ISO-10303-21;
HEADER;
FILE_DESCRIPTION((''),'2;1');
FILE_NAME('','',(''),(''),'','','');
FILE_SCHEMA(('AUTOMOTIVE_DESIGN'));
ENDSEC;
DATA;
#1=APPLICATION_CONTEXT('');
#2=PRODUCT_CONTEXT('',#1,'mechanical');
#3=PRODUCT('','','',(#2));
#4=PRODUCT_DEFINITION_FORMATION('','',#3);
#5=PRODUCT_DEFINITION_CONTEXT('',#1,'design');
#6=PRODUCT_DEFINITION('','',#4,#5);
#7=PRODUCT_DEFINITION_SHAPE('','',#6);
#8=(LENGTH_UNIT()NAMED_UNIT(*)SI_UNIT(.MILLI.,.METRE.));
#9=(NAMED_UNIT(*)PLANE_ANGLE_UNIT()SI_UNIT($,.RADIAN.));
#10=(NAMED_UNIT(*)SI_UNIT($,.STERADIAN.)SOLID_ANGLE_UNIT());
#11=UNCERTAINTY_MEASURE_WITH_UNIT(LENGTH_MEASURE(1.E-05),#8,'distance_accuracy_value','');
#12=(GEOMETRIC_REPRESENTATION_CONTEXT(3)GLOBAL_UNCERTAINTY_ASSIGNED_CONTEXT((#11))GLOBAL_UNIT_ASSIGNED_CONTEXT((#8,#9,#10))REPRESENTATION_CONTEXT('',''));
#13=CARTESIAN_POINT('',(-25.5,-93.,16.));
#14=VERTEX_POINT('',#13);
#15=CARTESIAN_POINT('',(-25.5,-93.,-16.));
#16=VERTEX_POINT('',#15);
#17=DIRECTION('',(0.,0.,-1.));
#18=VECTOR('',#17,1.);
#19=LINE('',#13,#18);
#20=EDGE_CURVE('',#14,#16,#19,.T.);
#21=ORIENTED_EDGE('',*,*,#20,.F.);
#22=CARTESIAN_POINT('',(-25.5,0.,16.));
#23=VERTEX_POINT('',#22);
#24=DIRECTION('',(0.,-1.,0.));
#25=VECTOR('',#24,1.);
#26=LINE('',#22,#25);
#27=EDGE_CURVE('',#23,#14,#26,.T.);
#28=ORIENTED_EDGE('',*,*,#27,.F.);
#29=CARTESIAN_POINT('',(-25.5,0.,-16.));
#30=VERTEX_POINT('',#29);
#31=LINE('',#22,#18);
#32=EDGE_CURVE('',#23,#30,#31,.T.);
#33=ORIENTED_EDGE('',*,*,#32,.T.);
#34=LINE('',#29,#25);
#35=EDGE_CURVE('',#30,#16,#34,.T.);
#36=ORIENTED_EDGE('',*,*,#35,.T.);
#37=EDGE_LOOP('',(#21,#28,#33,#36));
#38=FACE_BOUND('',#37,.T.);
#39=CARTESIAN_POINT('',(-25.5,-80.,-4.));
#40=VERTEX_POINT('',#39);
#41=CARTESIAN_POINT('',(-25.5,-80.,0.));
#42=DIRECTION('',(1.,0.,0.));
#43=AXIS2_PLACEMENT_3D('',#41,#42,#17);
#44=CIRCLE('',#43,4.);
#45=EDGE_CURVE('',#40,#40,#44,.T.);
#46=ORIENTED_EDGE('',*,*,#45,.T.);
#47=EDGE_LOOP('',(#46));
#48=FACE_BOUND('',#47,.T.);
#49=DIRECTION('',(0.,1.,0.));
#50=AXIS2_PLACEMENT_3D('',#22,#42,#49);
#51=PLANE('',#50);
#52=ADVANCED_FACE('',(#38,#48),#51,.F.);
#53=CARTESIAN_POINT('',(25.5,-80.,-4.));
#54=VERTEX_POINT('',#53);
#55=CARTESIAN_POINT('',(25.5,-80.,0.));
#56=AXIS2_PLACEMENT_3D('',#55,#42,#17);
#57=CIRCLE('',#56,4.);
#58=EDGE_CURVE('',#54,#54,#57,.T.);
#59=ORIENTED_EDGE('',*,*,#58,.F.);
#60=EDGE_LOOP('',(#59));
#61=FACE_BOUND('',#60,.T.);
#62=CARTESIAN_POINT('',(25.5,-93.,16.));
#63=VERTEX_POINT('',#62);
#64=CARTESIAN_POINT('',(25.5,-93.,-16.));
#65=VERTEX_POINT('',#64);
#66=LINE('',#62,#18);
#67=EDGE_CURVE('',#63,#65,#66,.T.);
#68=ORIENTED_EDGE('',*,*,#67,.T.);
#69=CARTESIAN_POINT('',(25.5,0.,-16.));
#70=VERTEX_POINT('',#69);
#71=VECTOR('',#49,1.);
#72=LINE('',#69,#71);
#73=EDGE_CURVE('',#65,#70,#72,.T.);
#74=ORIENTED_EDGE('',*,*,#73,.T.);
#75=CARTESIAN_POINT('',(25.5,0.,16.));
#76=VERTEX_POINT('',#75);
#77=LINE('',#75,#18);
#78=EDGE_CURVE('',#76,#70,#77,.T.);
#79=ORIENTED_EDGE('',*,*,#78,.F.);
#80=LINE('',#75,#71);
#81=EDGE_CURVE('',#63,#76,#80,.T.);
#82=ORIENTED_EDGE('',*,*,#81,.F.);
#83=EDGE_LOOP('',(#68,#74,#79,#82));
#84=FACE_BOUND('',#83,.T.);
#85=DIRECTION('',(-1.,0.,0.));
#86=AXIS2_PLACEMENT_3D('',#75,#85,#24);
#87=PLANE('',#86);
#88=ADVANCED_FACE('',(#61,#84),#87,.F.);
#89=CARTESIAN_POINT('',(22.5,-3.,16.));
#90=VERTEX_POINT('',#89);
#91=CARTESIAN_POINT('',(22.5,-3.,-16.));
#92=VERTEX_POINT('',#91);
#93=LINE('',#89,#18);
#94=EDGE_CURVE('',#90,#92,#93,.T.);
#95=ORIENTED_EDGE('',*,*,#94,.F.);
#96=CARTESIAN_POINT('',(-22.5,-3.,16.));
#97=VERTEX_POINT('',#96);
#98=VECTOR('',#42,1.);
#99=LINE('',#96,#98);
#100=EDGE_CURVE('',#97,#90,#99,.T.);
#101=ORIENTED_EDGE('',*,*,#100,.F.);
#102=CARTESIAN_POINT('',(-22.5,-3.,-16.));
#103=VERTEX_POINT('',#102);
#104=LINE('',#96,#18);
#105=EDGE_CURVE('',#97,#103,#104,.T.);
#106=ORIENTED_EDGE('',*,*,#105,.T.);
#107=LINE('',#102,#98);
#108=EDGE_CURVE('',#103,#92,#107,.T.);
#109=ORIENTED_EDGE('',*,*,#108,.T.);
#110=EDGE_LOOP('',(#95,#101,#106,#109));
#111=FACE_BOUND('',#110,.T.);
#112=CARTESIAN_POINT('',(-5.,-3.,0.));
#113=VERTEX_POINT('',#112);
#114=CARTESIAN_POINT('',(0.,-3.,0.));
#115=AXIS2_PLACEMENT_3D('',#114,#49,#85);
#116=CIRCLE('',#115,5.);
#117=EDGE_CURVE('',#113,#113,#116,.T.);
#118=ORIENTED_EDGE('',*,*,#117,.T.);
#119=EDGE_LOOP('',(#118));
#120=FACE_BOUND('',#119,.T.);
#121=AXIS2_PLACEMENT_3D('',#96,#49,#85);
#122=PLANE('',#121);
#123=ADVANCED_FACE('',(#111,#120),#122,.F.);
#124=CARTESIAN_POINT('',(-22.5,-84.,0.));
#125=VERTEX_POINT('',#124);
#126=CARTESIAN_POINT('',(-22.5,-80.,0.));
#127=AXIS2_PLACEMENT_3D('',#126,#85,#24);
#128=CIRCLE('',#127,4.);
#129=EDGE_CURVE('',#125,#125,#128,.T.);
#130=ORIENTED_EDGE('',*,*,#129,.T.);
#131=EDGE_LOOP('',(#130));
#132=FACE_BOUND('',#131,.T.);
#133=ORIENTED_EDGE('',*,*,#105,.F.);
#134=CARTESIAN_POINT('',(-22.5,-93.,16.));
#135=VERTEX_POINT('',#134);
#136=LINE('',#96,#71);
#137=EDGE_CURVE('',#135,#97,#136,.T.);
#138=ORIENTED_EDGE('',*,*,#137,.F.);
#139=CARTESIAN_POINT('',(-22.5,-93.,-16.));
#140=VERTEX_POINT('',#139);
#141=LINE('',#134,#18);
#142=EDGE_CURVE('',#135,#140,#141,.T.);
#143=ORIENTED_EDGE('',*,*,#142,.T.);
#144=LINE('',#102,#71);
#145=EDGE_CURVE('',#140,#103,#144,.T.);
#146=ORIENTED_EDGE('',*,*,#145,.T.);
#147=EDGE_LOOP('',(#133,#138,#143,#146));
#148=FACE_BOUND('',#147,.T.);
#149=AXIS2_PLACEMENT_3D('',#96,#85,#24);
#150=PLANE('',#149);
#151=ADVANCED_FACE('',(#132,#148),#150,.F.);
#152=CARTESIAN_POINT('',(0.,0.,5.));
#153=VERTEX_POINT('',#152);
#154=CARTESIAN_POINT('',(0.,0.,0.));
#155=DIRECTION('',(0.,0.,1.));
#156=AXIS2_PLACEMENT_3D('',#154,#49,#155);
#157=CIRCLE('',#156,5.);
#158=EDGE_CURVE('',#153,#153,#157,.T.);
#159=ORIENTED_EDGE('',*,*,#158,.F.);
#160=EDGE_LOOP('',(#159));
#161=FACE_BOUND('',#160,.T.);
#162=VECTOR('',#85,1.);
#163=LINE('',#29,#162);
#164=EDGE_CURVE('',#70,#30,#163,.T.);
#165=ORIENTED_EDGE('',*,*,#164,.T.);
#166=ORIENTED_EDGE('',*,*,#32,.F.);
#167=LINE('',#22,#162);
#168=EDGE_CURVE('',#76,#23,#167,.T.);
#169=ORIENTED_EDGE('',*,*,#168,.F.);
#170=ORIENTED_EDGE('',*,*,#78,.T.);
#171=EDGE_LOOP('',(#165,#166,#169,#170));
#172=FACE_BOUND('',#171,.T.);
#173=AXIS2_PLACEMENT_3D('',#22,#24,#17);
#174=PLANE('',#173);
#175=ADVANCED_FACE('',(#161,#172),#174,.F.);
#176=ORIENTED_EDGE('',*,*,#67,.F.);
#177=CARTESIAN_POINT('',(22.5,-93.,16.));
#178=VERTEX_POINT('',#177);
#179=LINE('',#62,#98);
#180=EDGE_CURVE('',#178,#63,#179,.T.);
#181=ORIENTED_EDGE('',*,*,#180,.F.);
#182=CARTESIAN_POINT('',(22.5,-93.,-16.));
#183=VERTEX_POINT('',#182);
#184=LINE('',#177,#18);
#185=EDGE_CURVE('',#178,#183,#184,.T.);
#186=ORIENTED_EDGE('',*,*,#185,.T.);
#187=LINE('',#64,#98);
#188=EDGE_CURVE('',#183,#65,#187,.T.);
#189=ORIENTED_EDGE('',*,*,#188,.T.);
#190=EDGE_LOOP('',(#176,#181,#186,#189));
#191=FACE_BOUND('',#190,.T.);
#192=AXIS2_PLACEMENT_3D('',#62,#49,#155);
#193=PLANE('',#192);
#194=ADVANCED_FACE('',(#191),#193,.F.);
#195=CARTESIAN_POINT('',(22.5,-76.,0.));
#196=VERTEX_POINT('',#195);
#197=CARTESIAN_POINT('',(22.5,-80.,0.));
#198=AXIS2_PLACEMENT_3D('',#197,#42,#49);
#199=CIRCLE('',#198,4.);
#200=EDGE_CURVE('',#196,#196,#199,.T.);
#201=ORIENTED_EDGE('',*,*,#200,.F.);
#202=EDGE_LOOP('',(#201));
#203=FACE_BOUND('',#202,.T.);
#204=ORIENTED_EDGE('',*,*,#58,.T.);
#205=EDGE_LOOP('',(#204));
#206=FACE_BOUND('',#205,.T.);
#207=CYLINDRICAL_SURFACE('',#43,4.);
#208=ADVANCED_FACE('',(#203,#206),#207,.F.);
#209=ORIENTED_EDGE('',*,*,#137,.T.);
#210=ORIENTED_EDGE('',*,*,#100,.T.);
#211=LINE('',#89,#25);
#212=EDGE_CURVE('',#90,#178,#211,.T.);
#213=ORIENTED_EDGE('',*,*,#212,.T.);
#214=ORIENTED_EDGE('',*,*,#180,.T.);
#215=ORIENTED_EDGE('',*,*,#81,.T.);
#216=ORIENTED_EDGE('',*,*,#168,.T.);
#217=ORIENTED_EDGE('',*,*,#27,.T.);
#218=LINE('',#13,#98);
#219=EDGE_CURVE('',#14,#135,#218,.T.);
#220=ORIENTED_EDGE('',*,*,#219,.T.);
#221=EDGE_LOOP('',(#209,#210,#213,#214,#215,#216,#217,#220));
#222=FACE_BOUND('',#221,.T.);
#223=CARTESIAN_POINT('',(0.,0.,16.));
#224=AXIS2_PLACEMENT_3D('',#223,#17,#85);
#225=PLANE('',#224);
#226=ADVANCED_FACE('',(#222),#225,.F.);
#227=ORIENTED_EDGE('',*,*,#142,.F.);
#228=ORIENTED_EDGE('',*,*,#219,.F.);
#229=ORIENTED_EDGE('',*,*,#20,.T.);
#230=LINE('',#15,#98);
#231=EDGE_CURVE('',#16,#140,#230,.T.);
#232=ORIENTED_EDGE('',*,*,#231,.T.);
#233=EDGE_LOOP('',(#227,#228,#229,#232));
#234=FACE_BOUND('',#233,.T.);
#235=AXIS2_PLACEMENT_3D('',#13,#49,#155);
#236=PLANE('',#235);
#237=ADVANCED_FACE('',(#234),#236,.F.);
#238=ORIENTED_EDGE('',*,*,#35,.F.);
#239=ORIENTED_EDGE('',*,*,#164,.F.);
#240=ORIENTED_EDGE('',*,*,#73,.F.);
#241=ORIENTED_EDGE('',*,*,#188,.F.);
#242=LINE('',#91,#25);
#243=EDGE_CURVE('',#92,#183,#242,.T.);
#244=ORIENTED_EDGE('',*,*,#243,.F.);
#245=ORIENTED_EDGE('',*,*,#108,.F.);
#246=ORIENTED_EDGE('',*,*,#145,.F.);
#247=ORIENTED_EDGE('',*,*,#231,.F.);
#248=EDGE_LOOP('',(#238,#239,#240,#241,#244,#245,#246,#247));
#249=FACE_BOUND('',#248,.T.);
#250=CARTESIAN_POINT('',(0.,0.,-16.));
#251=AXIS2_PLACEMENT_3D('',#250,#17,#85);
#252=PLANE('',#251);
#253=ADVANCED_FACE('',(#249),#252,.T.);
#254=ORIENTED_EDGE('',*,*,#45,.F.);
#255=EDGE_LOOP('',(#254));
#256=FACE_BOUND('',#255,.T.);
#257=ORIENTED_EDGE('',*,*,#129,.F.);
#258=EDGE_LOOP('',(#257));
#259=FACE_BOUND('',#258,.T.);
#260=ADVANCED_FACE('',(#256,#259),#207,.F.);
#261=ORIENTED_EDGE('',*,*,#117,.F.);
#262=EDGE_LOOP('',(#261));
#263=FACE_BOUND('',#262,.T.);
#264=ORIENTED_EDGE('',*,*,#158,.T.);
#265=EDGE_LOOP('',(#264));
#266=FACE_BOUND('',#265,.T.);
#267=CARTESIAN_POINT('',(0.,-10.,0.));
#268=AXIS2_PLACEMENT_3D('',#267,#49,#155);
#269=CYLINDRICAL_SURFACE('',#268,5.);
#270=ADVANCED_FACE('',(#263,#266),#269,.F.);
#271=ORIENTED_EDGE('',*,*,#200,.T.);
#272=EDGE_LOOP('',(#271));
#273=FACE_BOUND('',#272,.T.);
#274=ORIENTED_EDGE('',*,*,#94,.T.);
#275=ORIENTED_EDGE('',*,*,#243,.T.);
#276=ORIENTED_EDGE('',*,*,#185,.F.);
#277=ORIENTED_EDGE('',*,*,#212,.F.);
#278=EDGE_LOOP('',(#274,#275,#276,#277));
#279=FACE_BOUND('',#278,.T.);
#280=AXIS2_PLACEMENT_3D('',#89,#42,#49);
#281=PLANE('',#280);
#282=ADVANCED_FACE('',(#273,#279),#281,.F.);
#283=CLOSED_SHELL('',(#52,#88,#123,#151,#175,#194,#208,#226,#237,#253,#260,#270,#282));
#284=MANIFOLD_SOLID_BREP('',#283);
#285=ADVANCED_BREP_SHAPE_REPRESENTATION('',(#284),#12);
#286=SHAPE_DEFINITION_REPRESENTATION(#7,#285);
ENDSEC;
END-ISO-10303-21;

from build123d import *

# Parameters (mm, degrees)
BOSS_EXTRUDE1_DEPTH = 16
SKETCH2_R           = 4
CUT_EXTRUDE1_DEPTH  = 108.266024444
SKETCH3_R           = 5
CUT_EXTRUDE2_DEPTH  = 10


with BuildPart() as part:
    # Sketch1 → Boss-Extrude1 (new, symmetric)
    with BuildSketch(Plane.XY):
        Polygon((-25.5, 0), (25.5, 0), (25.5, -93), (22.5, -93), (22.5, -3), (-22.5, -3), (-22.5, -93), (-25.5, -93), align=None)
    extrude(amount=BOSS_EXTRUDE1_DEPTH, both=True)

    # Sketch2 → Cut-Extrude1 (cut, through all)
    with BuildSketch(Plane(origin=(25.5, 0, 0), x_dir=(0, 0, -1), z_dir=(1, 0, 0))):
        with Locations((0, -80)):
            Circle(SKETCH2_R)
    extrude(amount=-CUT_EXTRUDE1_DEPTH, mode=Mode.SUBTRACT)

    # Sketch3 → Cut-Extrude2 (cut)
    with BuildSketch(Plane(origin=(0, 0, 0), x_dir=(1, 0, 0), z_dir=(0, 1, 0))):
        with Locations(Location((0, 0, 0), (0, 0, 270))):
            Circle(SKETCH3_R)
    extrude(amount=-CUT_EXTRUDE2_DEPTH, mode=Mode.SUBTRACT)


solid = part.part
